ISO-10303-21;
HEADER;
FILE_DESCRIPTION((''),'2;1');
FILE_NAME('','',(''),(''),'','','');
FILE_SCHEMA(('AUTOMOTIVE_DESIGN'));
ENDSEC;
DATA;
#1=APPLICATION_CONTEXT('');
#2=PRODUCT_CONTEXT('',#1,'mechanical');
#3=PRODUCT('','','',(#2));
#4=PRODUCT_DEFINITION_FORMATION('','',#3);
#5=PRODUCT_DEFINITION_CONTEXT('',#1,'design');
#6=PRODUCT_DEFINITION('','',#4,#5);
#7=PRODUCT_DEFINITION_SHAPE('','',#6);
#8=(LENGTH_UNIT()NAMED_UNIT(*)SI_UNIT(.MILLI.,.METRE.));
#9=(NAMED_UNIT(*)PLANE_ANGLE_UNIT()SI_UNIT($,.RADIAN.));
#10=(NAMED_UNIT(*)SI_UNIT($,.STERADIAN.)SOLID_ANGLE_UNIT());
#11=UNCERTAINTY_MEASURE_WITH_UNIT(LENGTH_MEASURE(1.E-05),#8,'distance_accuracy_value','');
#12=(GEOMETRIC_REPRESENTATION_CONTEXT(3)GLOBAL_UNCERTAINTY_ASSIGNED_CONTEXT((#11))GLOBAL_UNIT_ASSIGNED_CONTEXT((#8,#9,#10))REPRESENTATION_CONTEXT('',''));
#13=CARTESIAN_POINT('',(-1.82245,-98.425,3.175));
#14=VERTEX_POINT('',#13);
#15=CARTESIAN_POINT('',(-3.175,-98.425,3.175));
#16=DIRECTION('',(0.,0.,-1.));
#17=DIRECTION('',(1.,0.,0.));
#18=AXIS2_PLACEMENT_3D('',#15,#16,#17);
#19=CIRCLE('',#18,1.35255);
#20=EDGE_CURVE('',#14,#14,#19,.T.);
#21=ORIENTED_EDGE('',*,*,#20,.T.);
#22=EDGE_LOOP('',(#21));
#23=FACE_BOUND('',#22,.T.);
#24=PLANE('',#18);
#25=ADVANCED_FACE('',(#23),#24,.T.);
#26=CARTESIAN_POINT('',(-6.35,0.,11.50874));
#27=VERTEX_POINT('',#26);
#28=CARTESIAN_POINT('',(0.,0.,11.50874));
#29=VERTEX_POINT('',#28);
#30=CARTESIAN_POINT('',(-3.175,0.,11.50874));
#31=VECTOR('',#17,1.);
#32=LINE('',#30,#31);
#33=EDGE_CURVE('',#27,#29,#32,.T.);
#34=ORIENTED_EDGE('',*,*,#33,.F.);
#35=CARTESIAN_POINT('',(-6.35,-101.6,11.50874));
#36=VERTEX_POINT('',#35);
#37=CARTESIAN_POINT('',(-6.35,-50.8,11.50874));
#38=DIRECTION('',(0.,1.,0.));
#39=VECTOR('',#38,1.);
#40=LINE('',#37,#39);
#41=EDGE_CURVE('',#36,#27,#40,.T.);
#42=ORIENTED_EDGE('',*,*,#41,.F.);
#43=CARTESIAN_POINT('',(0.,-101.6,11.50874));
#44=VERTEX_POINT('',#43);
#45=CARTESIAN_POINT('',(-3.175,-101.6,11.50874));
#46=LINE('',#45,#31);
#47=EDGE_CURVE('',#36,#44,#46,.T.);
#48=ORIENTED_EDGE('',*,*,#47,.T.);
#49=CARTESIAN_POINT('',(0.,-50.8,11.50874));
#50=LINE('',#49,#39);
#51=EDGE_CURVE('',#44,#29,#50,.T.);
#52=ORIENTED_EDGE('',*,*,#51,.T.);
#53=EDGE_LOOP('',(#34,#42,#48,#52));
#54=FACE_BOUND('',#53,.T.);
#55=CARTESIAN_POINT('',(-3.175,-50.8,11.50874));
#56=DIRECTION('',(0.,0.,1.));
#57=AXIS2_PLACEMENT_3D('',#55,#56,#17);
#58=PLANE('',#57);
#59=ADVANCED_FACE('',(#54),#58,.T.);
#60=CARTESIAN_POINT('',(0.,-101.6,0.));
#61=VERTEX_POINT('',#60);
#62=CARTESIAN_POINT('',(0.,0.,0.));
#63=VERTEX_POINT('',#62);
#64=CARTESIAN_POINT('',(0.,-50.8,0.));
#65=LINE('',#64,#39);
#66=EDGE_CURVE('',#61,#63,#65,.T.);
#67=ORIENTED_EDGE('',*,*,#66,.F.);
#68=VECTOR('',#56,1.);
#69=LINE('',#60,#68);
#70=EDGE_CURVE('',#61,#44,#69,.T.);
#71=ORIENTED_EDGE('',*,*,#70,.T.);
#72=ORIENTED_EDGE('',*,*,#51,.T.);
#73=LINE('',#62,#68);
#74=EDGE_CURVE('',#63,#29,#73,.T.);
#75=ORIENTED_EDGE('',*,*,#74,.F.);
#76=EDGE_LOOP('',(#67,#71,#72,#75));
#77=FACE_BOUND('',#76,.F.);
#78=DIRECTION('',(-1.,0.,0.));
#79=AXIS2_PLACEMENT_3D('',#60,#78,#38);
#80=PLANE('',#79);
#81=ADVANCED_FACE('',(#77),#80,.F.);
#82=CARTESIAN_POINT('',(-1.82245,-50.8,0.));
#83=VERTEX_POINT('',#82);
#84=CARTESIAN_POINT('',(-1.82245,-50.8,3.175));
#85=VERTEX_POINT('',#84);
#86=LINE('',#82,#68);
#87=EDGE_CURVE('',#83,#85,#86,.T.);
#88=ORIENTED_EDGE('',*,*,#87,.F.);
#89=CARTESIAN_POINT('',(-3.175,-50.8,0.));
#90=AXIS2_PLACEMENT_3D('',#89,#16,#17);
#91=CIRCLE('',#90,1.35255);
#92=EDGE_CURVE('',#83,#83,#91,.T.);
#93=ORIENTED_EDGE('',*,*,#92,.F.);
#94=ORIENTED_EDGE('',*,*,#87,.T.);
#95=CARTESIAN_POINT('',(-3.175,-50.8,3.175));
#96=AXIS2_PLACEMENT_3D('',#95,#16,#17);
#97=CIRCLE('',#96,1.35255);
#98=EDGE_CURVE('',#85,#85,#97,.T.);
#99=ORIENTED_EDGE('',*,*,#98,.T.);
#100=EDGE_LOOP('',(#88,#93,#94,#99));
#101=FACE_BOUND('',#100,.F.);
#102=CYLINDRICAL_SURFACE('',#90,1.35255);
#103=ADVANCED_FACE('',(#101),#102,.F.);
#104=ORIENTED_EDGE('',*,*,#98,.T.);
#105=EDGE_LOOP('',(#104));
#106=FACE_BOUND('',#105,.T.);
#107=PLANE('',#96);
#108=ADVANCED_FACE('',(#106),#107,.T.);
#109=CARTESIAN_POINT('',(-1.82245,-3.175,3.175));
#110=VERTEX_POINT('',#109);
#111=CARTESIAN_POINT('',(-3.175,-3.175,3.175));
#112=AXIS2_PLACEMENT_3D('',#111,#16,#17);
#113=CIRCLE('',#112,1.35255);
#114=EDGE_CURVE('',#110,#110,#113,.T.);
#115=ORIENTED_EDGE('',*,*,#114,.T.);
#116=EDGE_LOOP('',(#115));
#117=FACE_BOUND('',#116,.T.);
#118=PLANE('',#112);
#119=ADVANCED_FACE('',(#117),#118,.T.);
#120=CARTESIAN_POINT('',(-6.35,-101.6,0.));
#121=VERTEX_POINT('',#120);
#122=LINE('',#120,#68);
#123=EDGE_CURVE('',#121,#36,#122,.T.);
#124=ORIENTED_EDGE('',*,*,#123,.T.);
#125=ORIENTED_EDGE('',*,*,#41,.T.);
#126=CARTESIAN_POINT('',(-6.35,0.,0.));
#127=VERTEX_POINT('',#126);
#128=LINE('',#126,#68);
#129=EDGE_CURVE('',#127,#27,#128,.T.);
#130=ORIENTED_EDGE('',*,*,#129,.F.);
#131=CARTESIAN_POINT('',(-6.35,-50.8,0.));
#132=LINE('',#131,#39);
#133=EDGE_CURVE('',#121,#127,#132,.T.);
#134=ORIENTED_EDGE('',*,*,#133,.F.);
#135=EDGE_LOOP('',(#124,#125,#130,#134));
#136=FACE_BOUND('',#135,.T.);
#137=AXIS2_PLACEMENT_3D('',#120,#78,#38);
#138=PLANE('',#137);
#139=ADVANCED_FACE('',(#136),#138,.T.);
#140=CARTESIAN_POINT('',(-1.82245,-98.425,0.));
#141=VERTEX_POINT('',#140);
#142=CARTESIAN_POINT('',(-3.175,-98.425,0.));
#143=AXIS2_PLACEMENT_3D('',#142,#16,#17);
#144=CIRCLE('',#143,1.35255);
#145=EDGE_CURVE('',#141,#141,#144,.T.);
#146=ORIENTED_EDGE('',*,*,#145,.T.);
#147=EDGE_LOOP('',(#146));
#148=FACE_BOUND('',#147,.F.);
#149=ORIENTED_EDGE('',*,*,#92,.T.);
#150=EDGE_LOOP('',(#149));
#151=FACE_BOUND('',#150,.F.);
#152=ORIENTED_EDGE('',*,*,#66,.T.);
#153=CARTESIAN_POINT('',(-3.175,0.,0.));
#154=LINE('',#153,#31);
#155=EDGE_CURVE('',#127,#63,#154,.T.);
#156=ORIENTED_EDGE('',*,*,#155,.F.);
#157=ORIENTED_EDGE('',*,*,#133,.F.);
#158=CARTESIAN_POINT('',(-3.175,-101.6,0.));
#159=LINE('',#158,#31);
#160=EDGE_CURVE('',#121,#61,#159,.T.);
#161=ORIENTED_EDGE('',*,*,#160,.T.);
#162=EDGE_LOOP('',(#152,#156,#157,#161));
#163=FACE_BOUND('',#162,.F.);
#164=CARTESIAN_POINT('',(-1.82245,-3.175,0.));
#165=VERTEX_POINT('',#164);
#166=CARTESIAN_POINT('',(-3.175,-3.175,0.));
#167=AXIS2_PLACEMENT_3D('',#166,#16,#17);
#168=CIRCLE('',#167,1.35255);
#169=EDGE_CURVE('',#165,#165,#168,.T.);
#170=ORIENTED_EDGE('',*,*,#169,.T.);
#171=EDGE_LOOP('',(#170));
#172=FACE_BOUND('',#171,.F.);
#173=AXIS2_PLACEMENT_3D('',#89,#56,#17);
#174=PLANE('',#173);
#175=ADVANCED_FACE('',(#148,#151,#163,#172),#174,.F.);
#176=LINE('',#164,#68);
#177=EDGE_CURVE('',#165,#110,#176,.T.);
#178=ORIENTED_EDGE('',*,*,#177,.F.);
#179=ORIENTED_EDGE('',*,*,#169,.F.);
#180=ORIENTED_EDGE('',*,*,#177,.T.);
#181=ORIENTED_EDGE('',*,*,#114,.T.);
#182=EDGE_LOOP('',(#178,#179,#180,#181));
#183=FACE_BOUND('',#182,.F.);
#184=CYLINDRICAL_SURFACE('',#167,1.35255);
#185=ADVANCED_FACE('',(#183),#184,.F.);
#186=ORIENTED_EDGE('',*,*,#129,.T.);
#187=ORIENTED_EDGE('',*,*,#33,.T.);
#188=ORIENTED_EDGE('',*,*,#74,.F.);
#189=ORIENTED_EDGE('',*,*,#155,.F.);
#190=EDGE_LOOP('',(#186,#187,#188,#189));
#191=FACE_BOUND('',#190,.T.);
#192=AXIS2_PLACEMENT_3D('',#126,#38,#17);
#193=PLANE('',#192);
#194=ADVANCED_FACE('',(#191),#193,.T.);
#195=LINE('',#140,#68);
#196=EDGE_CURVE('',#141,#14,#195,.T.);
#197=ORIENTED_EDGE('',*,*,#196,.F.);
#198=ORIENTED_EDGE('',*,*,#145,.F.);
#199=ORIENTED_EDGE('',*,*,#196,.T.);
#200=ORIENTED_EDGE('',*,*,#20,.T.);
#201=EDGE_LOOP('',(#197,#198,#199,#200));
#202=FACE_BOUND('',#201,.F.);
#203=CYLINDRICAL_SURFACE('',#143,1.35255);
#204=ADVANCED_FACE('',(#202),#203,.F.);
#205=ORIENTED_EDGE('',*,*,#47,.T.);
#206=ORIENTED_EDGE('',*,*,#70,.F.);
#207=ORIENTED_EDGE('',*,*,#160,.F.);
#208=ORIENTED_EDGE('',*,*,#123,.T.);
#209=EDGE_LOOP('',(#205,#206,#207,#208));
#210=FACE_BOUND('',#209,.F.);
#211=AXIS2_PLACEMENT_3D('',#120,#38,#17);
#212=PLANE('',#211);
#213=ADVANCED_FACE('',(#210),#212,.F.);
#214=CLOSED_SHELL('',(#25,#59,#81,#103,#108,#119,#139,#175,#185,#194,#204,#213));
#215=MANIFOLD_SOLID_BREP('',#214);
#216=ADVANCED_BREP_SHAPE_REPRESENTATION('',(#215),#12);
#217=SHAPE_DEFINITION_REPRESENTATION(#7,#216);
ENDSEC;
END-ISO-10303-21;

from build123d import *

# Parameters (mm, degrees)
F0_W     = 6.35
F0_H     = 101.6
F1_DEPTH = 11.50874
F2_R     = 1.35255
F3_DEPTH = 3.175


with BuildPart() as f1:
    # F0 (on Top) → F1 (new body)
    with BuildSketch(Plane.XY):
        with Locations((-3.175, -50.8)):
            Rectangle(F0_W, F0_H)
    extrude(amount=F1_DEPTH)

    # F2 (on face) → F3 (cut)
    with BuildSketch(Plane(origin=(0, 0, 0), x_dir=(1, 0, 0), z_dir=(0, 0, -1))):
        with Locations((-3.175, 98.425)):
            Circle(F2_R)
        with Locations((-3.175, 50.8)):
            Circle(F2_R)
        with Locations((-3.175, 3.175)):
            Circle(F2_R)
    extrude(amount=-F3_DEPTH, mode=Mode.SUBTRACT)


solid = f1.part
